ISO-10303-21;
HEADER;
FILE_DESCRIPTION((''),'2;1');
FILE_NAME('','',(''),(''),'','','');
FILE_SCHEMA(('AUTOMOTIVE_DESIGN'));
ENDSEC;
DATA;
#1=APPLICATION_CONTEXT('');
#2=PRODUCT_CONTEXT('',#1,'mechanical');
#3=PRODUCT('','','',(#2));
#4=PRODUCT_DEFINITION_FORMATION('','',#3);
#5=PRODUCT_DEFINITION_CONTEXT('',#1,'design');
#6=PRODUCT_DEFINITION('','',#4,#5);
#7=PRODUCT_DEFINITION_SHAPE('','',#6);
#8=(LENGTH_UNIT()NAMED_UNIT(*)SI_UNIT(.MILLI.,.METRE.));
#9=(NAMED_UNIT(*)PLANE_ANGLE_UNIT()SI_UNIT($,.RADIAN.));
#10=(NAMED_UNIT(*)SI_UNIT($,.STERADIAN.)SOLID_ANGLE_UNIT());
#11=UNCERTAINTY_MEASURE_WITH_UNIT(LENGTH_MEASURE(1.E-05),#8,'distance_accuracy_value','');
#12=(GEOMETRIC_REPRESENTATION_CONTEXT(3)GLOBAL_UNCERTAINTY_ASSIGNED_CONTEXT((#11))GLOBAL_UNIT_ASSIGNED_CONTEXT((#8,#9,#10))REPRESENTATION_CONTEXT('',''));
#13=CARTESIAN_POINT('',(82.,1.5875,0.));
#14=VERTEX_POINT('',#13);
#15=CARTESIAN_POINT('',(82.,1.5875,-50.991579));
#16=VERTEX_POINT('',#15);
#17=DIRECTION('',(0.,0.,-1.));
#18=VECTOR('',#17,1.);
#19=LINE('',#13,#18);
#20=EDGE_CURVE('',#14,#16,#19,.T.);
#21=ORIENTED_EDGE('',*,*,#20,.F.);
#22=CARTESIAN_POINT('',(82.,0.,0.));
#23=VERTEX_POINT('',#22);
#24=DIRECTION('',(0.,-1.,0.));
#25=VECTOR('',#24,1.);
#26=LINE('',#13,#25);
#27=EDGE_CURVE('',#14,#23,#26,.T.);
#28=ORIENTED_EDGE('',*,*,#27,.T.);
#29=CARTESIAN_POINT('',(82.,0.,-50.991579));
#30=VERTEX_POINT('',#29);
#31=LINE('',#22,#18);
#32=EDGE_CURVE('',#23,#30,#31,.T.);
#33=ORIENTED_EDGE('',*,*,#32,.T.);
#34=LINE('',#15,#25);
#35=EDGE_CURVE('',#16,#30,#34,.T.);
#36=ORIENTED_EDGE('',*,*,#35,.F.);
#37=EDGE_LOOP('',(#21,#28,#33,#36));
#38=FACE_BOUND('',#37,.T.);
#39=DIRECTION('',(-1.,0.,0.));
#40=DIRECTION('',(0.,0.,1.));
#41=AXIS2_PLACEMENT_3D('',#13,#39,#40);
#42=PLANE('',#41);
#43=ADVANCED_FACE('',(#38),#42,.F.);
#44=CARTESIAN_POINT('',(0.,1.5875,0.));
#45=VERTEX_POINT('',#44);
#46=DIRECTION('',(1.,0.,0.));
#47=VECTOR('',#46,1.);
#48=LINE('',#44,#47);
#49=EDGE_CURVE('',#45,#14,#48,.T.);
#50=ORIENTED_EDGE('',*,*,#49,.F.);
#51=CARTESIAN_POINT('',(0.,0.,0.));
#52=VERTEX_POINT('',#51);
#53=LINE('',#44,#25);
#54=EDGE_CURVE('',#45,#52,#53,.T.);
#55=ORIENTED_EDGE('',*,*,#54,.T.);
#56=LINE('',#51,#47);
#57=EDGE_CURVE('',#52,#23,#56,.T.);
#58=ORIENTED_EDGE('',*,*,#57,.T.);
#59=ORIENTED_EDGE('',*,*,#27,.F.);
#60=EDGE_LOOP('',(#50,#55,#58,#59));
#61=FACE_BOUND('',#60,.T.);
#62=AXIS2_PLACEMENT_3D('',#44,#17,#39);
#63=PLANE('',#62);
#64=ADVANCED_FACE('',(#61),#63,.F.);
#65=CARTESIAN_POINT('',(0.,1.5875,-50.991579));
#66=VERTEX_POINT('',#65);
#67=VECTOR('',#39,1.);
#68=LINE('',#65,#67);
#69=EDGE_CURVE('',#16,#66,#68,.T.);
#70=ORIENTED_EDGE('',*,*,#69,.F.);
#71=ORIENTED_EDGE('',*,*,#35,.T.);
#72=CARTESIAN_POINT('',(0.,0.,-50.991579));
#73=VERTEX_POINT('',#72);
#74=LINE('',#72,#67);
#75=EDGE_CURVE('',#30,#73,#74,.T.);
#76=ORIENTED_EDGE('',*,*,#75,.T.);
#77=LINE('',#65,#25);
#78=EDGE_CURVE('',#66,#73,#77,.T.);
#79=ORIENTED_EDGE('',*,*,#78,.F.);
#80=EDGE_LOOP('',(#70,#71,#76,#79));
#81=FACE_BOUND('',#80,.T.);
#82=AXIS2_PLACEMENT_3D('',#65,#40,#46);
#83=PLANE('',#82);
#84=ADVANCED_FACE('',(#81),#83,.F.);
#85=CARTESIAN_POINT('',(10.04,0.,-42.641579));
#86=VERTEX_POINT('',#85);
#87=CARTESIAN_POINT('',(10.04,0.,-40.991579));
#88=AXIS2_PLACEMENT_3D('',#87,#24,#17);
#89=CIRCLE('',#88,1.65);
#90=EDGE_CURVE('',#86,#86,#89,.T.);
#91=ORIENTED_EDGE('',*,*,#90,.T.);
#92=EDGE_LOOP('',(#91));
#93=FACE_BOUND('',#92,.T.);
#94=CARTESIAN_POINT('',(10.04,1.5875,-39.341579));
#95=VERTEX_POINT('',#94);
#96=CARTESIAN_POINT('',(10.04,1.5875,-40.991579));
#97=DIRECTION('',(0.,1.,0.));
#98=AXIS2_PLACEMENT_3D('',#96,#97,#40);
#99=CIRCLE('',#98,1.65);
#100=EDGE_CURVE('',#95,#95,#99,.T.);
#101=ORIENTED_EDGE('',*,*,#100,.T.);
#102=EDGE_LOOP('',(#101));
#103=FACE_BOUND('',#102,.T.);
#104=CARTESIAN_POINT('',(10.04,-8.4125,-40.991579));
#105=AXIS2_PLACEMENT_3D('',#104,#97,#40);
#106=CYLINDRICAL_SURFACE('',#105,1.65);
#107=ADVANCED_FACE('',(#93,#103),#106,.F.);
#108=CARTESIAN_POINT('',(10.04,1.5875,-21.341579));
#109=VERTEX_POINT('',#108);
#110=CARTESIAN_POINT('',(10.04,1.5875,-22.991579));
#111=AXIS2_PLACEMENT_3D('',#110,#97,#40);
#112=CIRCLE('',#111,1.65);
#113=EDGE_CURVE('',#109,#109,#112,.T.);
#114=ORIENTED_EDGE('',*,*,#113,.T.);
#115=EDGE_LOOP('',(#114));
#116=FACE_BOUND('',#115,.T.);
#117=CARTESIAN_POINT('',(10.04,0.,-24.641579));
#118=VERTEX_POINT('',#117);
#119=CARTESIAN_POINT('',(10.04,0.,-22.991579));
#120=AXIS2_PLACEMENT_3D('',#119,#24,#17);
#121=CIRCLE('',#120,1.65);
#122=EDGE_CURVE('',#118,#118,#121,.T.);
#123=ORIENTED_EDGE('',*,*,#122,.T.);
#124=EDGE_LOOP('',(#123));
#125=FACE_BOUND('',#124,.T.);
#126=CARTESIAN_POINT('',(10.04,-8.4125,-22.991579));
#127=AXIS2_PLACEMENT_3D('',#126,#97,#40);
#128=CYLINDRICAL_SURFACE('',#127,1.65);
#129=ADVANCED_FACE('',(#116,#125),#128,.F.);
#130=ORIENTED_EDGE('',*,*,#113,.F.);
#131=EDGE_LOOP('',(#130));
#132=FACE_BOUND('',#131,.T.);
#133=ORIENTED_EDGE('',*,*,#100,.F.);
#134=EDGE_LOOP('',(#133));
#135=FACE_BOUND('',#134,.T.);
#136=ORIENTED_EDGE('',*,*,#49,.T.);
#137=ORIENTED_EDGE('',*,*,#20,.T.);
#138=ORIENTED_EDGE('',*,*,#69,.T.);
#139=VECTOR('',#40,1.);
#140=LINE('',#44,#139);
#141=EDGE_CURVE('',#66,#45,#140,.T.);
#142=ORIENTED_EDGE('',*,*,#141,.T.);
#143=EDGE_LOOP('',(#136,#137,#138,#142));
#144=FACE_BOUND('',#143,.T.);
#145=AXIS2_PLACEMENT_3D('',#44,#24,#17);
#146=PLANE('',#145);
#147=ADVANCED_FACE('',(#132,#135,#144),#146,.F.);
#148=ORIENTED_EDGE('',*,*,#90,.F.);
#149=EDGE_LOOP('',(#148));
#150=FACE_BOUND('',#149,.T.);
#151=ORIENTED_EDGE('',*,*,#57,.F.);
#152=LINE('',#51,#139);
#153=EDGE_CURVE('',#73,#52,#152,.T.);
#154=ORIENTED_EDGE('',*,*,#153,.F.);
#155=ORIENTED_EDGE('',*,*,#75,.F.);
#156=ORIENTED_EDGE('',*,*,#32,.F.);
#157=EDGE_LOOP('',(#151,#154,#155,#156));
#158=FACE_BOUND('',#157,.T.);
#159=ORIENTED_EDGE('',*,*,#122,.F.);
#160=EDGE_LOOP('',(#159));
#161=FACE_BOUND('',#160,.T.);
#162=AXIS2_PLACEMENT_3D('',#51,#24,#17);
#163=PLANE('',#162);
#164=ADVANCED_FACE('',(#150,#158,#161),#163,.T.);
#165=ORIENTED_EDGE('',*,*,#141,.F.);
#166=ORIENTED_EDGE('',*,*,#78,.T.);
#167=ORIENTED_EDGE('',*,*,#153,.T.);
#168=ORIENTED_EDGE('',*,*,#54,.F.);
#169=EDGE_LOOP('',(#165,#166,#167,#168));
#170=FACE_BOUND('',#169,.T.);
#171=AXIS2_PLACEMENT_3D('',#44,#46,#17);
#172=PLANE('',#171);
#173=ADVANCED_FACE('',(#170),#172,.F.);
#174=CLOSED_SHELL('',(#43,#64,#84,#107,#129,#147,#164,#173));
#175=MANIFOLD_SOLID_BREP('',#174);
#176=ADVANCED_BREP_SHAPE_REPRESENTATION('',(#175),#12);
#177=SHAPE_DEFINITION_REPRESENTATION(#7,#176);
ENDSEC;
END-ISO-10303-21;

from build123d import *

# Parameters (mm, degrees)
SKETCH1_W           = 82
SKETCH1_H           = 50.991578634
BOSS_EXTRUDE1_DEPTH = 1.5875
SKETCH2_R           = 1.65
CUT_EXTRUDE1_DEPTH  = 10


with BuildPart() as part:
    # Sketch1 → Boss-Extrude1 (new body)
    with BuildSketch(Plane(origin=(0, 0, 0), x_dir=(1, 0, 0), z_dir=(0, 1, 0))):
        with Locations((41, 25.495789317)):
            Rectangle(SKETCH1_W, SKETCH1_H)
    extrude(amount=BOSS_EXTRUDE1_DEPTH)

    # Sketch2 → Cut-Extrude1 (cut)
    with BuildSketch(Plane(origin=(0, 1.5875, 0), x_dir=(1, 0, 0), z_dir=(0, 1, 0))):
        with Locations((10.04, 40.991578634)):
            Circle(SKETCH2_R)
        with Locations((10.04, 22.991578634)):
            Circle(SKETCH2_R)
    extrude(amount=-CUT_EXTRUDE1_DEPTH, mode=Mode.SUBTRACT)


solid = part.part
